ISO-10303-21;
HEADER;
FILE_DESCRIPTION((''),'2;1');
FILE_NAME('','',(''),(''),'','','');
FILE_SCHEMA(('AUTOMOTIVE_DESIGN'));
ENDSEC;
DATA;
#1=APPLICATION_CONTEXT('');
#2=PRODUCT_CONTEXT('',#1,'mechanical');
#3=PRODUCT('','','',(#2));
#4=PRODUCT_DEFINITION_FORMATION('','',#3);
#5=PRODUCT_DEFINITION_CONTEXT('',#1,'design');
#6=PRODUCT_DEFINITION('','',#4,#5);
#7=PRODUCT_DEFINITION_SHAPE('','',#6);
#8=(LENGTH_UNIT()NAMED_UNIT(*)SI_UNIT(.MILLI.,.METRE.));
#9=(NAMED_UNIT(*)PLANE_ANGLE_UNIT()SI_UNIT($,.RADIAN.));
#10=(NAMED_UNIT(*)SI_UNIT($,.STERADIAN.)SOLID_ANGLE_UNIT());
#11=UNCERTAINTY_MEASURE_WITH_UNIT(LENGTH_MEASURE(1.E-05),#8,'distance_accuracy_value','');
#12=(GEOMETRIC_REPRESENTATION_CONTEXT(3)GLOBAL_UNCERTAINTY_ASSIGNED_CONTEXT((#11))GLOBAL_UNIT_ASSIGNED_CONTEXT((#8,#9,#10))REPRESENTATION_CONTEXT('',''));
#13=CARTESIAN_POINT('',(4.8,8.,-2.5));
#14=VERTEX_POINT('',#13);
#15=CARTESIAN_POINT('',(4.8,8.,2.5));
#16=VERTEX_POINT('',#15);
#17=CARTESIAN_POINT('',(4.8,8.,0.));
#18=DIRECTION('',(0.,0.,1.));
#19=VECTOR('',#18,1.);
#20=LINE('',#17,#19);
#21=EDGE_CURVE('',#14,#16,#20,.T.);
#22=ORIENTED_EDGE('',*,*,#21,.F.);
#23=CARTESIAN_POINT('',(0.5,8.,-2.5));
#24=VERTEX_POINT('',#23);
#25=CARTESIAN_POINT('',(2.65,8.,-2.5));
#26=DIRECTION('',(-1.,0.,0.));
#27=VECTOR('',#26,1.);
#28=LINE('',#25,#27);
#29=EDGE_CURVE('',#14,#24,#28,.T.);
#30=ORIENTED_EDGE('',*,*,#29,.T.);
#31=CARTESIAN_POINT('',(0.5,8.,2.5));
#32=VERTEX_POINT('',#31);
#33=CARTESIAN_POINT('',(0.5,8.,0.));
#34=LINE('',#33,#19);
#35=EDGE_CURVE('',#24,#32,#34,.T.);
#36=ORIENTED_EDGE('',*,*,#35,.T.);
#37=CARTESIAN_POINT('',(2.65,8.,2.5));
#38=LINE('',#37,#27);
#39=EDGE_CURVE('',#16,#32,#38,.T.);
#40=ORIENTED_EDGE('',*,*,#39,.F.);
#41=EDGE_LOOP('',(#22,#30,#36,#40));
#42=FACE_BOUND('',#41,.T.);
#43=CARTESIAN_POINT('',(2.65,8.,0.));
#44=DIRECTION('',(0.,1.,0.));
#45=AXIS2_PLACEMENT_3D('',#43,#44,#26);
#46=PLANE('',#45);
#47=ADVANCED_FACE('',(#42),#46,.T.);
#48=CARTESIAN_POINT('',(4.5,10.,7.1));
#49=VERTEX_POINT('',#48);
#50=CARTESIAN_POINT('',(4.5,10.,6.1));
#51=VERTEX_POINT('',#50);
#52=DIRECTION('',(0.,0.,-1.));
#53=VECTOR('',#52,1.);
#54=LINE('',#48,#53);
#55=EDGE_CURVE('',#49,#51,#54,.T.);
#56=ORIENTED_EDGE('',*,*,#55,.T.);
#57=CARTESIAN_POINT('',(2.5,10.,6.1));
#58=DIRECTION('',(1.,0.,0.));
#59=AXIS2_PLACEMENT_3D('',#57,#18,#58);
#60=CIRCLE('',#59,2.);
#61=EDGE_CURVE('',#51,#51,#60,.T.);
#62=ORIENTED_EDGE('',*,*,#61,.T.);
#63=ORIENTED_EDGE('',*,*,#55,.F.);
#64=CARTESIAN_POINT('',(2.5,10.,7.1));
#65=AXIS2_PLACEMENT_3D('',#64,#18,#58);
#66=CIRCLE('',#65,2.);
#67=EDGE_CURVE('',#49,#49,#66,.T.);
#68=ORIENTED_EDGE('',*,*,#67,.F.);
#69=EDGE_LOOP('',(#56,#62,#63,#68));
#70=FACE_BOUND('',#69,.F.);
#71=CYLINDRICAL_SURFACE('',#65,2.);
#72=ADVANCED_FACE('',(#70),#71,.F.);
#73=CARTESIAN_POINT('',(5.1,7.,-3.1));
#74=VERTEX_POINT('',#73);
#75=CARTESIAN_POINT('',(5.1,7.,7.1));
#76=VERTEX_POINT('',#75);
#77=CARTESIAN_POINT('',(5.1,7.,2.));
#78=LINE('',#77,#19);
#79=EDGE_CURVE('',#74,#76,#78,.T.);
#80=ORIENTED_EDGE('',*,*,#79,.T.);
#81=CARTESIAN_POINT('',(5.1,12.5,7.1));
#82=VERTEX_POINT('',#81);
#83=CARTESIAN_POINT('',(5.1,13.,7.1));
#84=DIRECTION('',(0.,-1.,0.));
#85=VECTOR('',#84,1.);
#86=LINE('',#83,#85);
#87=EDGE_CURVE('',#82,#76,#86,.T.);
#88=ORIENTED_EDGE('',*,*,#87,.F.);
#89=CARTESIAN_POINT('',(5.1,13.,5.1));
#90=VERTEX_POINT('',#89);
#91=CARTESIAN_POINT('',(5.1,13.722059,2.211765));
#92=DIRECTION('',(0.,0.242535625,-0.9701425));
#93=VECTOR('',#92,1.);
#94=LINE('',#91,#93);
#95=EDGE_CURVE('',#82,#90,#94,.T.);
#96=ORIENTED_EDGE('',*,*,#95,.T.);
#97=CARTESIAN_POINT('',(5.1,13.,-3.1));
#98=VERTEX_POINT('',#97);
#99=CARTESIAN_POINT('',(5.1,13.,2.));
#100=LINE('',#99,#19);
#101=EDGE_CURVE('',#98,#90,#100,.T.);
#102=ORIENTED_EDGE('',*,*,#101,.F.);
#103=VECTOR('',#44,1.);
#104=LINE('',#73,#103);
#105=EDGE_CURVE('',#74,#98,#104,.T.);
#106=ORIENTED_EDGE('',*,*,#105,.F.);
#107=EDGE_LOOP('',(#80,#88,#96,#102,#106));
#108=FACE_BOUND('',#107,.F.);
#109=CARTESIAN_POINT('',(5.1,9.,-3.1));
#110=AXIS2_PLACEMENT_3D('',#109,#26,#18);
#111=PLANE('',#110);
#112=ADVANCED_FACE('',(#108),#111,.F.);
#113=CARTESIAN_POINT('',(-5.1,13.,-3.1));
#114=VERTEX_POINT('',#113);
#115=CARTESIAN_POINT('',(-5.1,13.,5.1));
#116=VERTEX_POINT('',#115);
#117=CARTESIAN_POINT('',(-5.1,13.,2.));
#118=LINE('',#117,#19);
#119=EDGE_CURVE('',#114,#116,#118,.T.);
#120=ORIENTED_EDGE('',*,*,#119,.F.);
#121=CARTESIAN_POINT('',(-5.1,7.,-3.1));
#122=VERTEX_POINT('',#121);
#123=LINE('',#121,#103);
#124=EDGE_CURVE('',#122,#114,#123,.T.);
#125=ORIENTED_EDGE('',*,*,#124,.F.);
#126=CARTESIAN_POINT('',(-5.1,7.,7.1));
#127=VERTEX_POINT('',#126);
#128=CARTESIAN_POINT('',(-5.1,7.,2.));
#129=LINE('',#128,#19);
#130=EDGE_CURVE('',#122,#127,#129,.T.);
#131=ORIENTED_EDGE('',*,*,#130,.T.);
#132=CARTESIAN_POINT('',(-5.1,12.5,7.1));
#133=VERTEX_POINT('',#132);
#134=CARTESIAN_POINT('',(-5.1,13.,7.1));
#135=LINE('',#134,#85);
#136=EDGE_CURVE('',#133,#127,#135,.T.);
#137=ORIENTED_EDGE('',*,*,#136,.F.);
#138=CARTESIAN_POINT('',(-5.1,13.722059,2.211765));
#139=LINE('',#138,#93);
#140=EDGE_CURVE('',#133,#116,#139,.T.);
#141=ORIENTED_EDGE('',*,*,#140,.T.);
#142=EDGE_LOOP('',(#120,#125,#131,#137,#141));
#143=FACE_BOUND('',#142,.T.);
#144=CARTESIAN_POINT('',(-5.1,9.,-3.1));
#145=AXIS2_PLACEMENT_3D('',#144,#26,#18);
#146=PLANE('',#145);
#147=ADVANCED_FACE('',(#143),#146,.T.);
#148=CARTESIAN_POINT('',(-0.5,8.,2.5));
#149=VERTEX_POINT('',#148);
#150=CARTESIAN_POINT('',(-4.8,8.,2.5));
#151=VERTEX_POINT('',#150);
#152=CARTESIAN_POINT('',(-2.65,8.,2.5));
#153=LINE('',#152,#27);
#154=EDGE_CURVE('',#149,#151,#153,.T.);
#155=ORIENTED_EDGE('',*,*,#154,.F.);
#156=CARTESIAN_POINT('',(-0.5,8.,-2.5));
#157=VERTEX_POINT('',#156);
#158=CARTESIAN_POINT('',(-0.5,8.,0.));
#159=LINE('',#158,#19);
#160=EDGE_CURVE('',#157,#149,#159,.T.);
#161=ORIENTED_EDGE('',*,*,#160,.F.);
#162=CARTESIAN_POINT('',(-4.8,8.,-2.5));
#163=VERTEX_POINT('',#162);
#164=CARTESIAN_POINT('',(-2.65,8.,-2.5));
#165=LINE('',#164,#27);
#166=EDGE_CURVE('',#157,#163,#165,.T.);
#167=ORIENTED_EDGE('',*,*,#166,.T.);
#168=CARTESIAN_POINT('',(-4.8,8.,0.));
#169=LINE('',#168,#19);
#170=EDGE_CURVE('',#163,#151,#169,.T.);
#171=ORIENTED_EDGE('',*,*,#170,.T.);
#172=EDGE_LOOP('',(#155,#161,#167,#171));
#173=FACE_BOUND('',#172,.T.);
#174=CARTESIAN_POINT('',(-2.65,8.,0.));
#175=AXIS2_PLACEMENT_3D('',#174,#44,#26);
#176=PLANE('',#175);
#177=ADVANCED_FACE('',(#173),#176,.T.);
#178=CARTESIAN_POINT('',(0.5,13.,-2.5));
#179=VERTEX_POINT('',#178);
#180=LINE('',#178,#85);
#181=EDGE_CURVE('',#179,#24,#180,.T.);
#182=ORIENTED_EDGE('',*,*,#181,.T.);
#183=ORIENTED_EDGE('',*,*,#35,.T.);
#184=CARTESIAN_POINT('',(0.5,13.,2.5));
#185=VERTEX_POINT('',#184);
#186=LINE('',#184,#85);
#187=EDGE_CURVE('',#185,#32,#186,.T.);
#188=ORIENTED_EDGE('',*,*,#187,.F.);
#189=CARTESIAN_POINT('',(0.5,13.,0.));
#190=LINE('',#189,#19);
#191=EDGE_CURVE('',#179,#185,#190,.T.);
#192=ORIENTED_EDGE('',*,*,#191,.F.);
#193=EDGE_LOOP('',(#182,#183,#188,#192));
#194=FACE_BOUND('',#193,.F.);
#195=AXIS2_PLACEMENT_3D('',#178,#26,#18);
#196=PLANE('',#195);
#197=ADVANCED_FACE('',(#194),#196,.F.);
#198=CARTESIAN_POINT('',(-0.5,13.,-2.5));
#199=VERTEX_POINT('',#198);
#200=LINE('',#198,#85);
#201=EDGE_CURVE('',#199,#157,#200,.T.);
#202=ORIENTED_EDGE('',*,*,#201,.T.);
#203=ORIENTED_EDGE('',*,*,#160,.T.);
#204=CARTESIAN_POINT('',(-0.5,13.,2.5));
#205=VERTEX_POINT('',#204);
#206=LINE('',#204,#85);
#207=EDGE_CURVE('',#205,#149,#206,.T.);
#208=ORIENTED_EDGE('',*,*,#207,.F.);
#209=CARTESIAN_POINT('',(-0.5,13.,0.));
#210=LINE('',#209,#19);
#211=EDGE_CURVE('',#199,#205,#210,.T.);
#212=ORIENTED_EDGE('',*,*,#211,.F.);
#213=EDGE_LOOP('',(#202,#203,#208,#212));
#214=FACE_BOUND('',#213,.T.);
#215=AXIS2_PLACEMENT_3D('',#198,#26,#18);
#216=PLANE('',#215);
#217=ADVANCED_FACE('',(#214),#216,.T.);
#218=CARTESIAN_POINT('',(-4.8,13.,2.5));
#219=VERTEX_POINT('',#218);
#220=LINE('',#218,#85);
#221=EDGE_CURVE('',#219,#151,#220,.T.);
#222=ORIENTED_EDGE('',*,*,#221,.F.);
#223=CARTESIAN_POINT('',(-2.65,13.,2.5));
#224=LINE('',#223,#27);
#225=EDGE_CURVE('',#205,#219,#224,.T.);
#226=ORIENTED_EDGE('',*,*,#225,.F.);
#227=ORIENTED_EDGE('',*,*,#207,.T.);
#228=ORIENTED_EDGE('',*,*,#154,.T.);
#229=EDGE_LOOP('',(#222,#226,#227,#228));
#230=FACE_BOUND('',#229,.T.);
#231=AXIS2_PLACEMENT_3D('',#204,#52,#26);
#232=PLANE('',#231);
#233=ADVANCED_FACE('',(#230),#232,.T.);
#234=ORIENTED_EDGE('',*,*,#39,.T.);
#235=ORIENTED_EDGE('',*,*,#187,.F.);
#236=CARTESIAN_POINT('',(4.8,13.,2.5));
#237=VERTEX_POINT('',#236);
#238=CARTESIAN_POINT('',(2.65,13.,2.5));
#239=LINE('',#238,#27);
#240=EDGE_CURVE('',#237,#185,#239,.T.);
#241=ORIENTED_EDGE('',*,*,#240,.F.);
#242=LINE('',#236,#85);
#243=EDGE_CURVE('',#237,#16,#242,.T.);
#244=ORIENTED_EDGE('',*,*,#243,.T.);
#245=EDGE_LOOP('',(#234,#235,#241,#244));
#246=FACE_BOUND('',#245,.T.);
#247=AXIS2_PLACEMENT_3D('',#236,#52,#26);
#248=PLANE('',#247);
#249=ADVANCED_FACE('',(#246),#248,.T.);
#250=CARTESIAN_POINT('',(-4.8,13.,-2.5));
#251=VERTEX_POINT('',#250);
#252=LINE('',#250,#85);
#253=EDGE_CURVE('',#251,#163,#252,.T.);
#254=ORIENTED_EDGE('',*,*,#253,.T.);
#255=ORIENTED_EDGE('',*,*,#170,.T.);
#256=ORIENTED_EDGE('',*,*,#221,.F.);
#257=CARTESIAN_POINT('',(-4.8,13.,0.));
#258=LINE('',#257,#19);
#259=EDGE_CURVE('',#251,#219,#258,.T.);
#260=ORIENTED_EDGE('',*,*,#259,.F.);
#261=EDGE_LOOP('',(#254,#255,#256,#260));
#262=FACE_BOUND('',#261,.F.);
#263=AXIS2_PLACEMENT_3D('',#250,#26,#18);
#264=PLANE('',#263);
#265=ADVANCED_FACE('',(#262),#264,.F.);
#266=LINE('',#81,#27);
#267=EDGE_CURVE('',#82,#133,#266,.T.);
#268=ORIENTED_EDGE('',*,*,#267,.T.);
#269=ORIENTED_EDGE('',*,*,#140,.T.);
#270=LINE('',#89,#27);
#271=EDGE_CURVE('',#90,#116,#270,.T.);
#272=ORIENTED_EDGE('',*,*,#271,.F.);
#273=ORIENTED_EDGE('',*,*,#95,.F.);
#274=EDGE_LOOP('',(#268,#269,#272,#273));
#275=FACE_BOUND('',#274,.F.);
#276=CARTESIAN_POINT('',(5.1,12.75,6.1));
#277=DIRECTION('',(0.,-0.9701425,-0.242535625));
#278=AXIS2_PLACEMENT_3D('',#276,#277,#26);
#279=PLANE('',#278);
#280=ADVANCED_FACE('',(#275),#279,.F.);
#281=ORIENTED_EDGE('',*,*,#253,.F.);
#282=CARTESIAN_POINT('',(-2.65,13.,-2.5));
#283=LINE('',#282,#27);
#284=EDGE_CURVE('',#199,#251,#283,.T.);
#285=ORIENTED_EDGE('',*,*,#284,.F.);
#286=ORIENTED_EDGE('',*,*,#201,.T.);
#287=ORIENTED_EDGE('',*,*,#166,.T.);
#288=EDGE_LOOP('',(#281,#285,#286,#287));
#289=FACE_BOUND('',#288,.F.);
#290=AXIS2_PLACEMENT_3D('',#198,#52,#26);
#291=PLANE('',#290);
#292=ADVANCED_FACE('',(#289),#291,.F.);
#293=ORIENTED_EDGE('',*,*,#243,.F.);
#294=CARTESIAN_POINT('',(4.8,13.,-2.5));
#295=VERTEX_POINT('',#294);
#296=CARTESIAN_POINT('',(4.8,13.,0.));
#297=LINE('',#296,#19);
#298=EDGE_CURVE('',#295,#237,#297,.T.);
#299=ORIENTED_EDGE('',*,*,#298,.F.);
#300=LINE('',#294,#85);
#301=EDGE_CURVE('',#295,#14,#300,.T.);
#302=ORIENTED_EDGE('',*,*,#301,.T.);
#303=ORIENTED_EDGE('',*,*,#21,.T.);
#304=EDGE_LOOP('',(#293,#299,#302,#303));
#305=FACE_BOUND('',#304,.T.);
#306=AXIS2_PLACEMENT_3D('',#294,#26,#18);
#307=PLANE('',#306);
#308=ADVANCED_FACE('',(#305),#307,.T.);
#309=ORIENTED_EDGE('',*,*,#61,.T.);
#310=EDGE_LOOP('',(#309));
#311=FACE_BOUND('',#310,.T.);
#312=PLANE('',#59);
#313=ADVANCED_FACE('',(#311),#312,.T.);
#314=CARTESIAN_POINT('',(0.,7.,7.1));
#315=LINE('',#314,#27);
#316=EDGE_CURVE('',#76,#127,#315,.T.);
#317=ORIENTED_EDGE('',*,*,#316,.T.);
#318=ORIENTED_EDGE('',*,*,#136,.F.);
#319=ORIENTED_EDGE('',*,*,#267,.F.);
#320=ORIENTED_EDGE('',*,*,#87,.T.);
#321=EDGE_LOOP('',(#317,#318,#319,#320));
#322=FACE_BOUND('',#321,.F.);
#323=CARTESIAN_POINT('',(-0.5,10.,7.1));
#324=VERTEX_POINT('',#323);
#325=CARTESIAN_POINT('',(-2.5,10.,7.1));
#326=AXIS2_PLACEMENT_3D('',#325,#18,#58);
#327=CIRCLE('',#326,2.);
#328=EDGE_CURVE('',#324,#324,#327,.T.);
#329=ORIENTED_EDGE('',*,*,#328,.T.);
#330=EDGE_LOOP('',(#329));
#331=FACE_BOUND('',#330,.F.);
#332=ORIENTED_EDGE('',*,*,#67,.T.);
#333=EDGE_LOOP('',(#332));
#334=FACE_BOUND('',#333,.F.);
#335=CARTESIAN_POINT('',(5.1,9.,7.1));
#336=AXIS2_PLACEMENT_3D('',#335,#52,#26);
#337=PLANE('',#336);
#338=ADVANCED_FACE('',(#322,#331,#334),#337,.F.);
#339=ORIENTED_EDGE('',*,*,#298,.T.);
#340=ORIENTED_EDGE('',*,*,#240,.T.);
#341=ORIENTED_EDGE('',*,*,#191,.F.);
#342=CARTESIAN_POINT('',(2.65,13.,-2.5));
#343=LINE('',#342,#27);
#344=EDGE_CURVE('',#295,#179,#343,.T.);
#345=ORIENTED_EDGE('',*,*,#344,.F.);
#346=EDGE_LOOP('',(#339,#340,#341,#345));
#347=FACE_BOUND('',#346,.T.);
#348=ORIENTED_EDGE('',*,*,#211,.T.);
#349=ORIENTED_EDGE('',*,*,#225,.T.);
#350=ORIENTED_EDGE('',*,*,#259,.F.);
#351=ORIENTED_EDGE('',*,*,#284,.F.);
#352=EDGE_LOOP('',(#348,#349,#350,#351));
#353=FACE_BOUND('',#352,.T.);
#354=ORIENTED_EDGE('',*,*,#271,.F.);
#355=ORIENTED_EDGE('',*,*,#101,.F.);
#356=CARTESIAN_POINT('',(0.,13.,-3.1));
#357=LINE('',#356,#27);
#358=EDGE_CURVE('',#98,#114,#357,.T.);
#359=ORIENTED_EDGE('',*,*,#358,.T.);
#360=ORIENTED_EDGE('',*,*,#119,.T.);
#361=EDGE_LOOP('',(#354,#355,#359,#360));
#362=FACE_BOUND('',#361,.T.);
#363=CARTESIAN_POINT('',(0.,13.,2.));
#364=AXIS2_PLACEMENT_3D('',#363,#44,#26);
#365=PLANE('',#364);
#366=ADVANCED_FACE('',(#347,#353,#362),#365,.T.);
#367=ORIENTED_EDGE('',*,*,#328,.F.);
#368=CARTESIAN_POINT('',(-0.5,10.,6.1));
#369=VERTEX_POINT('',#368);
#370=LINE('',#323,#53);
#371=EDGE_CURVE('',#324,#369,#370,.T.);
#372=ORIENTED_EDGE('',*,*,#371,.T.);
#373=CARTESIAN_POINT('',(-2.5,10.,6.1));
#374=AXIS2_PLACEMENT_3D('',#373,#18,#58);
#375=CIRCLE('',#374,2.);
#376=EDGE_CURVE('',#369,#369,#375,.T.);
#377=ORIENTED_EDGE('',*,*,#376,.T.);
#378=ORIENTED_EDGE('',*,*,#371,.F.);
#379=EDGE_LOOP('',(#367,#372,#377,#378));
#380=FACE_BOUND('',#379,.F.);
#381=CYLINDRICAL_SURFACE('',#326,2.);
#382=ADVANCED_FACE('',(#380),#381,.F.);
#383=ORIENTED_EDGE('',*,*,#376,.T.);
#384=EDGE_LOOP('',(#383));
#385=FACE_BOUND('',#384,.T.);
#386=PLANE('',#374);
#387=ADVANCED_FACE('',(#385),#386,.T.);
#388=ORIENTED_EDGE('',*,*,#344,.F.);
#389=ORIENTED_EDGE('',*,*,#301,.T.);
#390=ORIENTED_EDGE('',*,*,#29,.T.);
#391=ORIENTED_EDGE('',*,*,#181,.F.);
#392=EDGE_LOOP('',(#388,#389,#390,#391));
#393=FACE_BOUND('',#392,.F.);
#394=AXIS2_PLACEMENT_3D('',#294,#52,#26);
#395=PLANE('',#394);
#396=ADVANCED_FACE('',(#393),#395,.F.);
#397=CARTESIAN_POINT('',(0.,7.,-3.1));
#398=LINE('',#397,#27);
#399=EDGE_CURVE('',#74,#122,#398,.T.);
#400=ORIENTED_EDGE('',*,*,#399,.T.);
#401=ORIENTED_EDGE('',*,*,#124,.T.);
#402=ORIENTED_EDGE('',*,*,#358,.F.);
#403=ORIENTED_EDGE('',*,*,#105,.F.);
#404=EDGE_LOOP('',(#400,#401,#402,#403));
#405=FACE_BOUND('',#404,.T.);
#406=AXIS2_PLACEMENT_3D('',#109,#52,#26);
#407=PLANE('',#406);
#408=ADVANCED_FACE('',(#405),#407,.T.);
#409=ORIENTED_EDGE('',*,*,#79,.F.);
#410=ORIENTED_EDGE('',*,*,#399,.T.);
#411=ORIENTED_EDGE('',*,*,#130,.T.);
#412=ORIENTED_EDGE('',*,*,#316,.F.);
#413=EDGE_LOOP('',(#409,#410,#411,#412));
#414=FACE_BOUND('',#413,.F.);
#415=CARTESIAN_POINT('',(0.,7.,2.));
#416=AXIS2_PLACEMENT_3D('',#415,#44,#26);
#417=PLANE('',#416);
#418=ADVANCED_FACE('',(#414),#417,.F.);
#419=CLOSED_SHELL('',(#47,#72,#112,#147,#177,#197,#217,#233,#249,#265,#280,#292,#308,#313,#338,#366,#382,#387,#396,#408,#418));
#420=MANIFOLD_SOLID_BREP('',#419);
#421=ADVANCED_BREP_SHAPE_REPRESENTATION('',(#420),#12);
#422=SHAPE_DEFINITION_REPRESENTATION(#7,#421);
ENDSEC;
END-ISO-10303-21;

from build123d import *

# Parameters (mm, degrees)
SKETCH052_W       = 10.2
SKETCH052_H       = 10.2
PAD044_DEPTH      = 4
PAD044_DEPTH_BACK = 2
SKETCH053_R       = 2
POCKET004_DEPTH   = 1
CHAMFER006_SIZE2  = 2
CHAMFER006_SIZE   = 0.5
SKETCH049_W       = 4.3
SKETCH049_H       = 5
POCKET006_DEPTH   = 5


with BuildPart() as part:
    # Sketch052 (on Face1 of CopyFillet001) → Pad044 (new body, two sides)
    with BuildSketch(Plane(origin=(0, 9, 0), x_dir=(-1, 0, 0), z_dir=(0, 1, 0))) as pad044_sk:
        with Locations((0, 2)):
            Rectangle(SKETCH052_W, SKETCH052_H)
    extrude(amount=PAD044_DEPTH)
    extrude(pad044_sk.sketch, amount=-PAD044_DEPTH_BACK)

    # Sketch053 (on Face1 of Pad044) → Pocket004 (cut)
    with BuildSketch(Plane(origin=(0, 9, 7.1), x_dir=(1, 0, 0), z_dir=(0, 0, 1))):
        with Locations((-2.5, 1)):
            Circle(SKETCH053_R)
        with Locations((2.5, 1)):
            Circle(SKETCH053_R)
    extrude(amount=-POCKET004_DEPTH, mode=Mode.SUBTRACT)

    # Chamfer006
    chamfer006_edges = [part.edges().sort_by_distance(p)[0] for p in [
        (0, 13, 7.1),
    ]]
    chamfer006_side = part.faces().sort_by_distance((0, 10, 7.1))[0]
    chamfer(chamfer006_edges, length=CHAMFER006_SIZE, length2=CHAMFER006_SIZE2, reference=chamfer006_side)

    # Sketch049 (on Face8 of Chamfer006) → Pocket006 (cut)
    with BuildSketch(Plane(origin=(0, 13, 0), x_dir=(-1, 0, 0), z_dir=(0, 1, 0))):
        with Locations((-2.65, 0)):
            Rectangle(SKETCH049_W, SKETCH049_H)
        with Locations((2.65, 0)):
            Rectangle(SKETCH049_W, SKETCH049_H)
    extrude(amount=-POCKET006_DEPTH, mode=Mode.SUBTRACT)


solid = part.part
